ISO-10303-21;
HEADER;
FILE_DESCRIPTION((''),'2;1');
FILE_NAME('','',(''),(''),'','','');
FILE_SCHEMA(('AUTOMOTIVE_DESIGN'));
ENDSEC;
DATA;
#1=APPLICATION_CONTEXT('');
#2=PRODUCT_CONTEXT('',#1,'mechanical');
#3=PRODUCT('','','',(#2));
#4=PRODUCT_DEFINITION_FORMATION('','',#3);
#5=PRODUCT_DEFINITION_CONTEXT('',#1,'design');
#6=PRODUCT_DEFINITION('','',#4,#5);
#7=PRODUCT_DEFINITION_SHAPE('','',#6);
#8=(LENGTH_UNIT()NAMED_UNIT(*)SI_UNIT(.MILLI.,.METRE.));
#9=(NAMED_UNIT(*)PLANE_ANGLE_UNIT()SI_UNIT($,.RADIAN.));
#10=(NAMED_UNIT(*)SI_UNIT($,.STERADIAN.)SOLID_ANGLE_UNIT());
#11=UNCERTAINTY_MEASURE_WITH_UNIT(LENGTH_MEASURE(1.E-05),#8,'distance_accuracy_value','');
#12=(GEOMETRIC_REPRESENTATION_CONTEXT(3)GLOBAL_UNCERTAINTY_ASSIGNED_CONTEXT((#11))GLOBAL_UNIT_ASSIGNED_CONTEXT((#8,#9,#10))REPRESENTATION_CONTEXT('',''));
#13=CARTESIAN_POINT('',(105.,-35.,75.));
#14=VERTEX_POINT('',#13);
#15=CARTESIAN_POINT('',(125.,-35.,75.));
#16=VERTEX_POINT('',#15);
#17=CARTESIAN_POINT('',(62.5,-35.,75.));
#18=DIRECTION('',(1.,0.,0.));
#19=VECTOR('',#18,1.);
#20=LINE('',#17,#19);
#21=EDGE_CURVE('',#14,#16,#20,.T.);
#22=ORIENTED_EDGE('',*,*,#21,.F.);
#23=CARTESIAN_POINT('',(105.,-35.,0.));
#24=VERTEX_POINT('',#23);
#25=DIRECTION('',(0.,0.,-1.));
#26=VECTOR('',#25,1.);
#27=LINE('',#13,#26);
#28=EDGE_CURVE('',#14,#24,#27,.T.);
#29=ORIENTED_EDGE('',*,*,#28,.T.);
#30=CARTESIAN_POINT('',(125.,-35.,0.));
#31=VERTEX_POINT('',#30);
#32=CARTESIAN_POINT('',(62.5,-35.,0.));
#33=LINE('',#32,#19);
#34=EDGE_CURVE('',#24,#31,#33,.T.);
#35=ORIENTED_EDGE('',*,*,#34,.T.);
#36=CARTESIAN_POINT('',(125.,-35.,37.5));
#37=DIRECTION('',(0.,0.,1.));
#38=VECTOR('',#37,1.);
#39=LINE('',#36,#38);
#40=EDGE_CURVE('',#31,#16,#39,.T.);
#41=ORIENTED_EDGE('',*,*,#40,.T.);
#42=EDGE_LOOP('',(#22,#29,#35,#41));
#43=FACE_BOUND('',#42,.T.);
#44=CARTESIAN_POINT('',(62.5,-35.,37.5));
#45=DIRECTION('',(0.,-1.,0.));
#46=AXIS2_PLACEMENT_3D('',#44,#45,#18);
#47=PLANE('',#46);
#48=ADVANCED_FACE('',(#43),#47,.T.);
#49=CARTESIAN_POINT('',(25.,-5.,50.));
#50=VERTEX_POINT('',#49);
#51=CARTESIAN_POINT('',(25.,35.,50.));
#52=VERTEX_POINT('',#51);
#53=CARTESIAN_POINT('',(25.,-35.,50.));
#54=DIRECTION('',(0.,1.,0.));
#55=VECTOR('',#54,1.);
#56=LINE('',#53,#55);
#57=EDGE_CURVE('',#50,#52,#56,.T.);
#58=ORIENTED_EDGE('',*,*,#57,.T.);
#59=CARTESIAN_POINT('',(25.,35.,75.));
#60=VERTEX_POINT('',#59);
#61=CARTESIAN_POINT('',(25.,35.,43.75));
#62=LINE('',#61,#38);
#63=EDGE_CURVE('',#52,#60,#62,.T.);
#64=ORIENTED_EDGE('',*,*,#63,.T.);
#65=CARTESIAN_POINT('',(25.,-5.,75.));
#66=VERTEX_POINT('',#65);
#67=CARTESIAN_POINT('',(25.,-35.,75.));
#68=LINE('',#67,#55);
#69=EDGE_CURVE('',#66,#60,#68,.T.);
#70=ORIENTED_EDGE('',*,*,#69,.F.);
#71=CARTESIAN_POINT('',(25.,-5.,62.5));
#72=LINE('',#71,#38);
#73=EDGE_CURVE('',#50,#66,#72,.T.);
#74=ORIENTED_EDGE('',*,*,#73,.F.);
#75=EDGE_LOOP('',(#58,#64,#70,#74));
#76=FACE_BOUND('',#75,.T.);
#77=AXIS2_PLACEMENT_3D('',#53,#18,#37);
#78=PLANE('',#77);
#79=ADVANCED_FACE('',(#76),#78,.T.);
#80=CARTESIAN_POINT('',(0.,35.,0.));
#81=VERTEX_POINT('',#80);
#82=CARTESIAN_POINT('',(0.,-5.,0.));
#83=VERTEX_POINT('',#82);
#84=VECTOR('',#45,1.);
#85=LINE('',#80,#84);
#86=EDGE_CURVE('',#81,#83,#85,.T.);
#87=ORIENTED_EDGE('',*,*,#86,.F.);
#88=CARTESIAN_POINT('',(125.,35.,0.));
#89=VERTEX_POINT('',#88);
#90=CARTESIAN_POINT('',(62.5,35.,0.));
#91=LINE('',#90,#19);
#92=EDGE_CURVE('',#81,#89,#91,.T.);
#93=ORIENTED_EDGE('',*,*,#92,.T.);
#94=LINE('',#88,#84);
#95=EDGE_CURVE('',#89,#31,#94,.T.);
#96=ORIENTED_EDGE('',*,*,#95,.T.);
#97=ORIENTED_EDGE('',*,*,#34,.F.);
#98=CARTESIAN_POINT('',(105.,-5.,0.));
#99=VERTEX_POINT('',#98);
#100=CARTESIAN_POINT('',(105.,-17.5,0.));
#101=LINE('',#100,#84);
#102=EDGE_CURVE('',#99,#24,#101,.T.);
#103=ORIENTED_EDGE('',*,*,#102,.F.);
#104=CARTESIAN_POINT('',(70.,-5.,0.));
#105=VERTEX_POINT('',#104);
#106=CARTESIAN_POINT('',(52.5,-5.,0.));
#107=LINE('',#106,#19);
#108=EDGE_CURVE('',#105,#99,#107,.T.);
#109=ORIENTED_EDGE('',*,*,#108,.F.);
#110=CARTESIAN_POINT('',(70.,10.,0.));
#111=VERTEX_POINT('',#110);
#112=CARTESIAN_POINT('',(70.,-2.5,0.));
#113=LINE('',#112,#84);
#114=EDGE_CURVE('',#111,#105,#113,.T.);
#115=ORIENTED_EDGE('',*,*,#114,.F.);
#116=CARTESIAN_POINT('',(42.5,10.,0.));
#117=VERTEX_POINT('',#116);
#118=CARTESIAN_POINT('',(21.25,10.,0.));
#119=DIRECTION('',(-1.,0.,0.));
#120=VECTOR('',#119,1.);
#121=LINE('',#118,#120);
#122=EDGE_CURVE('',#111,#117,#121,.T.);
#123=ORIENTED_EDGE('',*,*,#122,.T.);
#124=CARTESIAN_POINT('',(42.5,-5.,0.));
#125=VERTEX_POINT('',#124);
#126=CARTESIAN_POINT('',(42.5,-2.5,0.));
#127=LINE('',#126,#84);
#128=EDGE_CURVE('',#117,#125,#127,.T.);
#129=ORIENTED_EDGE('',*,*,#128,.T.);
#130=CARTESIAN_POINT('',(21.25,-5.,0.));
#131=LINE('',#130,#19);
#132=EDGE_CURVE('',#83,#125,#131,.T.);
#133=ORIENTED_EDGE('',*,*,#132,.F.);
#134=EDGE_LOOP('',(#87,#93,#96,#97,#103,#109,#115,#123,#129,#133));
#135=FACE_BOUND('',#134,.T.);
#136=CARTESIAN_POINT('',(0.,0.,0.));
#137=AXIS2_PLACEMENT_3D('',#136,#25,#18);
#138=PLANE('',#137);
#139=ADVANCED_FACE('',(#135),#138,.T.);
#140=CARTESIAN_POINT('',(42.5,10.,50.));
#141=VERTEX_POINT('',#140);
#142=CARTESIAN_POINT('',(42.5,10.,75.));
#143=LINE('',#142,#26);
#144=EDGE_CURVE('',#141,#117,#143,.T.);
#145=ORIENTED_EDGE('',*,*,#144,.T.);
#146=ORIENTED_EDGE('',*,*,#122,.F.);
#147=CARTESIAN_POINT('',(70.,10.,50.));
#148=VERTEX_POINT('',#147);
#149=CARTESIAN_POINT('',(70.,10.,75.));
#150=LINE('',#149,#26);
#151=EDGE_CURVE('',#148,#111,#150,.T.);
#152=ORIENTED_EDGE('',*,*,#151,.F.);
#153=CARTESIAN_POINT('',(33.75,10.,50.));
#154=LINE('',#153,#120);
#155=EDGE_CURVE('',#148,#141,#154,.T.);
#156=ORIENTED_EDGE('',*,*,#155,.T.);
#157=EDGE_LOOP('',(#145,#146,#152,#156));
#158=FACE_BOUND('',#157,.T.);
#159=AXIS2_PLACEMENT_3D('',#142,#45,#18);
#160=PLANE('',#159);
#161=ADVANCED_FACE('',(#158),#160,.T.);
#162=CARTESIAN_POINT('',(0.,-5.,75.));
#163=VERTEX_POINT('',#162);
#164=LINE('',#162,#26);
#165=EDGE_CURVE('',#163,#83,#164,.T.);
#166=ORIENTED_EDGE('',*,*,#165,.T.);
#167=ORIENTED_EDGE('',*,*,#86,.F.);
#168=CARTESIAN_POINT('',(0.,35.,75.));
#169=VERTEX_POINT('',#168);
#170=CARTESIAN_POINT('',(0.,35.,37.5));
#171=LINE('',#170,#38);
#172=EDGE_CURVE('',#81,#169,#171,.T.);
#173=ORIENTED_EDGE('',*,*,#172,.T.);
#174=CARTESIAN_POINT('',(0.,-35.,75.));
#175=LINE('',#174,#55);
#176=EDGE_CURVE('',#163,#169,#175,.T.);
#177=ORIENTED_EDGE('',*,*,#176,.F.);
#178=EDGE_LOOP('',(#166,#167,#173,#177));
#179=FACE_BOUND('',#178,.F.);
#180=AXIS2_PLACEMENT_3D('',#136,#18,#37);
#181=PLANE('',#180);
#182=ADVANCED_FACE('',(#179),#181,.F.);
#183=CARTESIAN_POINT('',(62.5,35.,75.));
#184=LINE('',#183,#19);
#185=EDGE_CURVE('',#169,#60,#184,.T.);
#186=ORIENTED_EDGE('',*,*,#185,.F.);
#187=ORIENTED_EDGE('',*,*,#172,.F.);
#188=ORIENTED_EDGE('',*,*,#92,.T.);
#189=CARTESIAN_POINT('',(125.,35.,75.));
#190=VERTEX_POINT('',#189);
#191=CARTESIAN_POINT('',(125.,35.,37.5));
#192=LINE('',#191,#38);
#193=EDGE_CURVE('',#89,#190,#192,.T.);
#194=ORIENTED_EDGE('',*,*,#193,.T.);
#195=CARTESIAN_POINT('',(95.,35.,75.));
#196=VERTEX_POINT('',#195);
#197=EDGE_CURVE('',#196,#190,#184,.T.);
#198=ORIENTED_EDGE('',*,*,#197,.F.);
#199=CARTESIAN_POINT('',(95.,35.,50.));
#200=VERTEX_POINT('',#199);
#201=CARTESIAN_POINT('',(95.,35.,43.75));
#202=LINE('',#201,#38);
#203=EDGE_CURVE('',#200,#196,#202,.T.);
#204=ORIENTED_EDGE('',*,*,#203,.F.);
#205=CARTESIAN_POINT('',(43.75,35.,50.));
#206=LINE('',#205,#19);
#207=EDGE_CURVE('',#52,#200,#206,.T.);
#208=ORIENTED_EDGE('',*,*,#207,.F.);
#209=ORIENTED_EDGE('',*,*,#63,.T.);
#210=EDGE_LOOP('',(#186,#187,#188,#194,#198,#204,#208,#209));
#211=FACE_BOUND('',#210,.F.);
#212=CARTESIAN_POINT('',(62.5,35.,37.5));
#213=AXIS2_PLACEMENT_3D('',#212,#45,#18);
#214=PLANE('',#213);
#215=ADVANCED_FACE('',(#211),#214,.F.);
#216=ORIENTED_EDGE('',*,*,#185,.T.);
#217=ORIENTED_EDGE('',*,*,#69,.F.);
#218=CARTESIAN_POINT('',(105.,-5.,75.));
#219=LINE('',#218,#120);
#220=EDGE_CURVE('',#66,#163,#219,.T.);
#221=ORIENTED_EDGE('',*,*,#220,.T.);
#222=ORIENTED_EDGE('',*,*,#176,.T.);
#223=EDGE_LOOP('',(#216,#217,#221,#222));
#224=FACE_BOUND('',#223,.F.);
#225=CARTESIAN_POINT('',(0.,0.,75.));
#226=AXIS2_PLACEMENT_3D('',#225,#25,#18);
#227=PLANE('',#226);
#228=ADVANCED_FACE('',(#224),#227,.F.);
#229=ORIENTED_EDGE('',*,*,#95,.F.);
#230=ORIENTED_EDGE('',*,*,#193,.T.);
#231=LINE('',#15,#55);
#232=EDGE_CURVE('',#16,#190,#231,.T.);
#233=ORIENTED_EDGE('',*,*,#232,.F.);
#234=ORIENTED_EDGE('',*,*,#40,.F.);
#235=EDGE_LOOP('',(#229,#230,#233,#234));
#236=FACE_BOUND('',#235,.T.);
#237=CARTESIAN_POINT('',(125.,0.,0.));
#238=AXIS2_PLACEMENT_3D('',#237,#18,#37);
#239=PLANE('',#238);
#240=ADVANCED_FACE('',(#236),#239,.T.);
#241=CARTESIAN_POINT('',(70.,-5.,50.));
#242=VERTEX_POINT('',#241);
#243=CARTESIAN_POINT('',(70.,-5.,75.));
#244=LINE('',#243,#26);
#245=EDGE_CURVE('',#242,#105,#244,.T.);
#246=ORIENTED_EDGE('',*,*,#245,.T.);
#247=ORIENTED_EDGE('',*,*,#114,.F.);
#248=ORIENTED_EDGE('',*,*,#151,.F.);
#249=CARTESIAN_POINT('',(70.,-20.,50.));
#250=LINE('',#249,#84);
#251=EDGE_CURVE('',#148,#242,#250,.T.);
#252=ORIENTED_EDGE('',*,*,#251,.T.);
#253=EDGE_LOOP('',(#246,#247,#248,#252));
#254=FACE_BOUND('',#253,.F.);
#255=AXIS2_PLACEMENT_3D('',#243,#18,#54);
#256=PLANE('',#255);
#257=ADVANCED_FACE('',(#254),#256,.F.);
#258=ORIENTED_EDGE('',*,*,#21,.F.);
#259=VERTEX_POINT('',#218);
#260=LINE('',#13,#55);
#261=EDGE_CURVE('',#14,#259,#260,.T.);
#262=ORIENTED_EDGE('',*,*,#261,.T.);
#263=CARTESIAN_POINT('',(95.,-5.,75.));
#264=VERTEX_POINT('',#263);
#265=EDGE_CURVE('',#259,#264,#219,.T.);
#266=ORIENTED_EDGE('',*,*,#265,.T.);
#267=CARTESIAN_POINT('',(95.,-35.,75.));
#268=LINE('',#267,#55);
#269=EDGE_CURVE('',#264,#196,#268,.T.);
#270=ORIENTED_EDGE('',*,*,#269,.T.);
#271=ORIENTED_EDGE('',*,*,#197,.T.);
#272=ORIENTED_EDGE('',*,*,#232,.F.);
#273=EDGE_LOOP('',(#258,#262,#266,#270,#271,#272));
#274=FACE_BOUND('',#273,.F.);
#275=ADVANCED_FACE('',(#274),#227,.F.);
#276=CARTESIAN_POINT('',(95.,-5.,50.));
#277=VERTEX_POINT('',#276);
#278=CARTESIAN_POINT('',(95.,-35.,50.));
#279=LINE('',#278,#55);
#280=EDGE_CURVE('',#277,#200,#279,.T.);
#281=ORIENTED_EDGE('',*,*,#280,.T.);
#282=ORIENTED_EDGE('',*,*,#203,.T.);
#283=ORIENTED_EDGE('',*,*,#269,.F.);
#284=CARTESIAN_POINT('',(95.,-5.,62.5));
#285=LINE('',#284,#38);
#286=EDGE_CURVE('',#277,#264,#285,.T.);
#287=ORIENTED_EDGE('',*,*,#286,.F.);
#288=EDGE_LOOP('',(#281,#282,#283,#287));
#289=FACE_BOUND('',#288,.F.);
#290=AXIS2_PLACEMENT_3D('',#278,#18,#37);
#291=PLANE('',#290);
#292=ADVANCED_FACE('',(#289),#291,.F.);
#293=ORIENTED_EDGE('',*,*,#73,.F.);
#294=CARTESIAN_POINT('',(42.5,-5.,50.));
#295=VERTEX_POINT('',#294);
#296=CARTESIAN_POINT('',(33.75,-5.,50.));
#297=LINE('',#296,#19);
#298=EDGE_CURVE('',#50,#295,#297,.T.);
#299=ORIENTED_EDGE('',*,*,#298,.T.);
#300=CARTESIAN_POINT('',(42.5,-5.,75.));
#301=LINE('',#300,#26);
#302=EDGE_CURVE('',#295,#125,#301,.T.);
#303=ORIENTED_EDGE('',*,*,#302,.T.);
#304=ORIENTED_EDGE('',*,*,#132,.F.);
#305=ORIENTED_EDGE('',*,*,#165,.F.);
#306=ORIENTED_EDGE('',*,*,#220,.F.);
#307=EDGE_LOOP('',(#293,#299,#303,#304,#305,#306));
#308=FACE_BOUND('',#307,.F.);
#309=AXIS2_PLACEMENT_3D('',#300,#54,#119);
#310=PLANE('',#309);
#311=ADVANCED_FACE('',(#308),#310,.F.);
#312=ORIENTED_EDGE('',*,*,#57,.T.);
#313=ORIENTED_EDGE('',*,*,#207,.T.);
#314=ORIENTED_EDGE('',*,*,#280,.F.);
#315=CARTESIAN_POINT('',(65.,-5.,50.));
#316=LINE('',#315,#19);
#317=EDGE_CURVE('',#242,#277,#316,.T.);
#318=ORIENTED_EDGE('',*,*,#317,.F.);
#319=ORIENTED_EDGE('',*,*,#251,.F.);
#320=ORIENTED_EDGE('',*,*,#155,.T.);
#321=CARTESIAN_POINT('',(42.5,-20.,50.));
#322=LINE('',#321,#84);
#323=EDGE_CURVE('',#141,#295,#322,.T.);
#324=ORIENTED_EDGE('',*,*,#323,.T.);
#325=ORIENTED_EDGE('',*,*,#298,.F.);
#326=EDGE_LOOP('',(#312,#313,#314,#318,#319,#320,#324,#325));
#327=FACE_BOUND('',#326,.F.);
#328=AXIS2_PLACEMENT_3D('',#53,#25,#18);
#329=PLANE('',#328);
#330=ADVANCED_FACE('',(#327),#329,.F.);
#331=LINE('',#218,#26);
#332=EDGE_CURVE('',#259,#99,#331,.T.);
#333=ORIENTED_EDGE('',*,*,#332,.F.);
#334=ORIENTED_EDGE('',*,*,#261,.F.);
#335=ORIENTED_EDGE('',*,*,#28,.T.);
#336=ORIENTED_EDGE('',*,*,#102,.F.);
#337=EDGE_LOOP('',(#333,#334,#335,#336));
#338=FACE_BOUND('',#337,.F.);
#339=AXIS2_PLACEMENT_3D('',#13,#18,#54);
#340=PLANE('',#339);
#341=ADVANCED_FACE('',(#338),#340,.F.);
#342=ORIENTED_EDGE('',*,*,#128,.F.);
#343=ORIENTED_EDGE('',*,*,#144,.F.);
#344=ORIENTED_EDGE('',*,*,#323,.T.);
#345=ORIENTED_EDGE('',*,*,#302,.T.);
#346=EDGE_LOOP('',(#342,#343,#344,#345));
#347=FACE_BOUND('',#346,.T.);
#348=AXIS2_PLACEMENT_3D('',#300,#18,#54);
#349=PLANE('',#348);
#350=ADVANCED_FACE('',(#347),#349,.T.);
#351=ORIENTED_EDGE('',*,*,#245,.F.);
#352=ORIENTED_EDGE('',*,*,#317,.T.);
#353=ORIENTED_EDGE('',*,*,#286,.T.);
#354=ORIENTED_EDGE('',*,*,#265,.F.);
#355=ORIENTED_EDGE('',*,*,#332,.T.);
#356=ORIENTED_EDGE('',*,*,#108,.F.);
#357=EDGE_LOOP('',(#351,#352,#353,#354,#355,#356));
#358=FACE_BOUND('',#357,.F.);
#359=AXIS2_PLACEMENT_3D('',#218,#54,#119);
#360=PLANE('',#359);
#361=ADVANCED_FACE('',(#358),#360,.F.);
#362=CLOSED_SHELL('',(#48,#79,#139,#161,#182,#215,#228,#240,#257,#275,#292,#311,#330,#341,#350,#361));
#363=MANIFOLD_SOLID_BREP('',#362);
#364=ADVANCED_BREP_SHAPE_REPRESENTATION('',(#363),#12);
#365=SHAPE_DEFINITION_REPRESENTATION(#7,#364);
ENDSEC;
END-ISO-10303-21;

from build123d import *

# Parameters (mm, degrees)
F0_W     = 125
F0_H     = 75
F1_DEPTH = 35
F2_W     = 70
F2_H     = 25
F3_DEPTH = 70.001
F4_W     = 27.5
F4_H     = 15
F5_DEPTH = 75.001


with BuildPart() as f1:
    # F0 (on Front) → F1 (new body, symmetric)
    with BuildSketch(Plane.XZ):
        with Locations((62.5, 37.5)):
            Rectangle(F0_W, F0_H)
    extrude(amount=F1_DEPTH, both=True)

    # F2 (on face) → F3 (cut, through all)
    with BuildSketch(Plane.XZ.offset(35)):
        with Locations((60, 62.5)):
            Rectangle(F2_W, F2_H)
    extrude(amount=-F3_DEPTH, mode=Mode.SUBTRACT)

    # F4 (on face) → F5 (cut, through all)
    with BuildSketch(Plane.XY.offset(75)):
        Polygon((0, -5), (0, -35), (105, -35), (105, -5), (70, -5), (42.5, -5), align=None)
        with Locations((56.25, 2.5)):
            Rectangle(F4_W, F4_H)
    extrude(amount=-F5_DEPTH, mode=Mode.SUBTRACT)


solid = f1.part
